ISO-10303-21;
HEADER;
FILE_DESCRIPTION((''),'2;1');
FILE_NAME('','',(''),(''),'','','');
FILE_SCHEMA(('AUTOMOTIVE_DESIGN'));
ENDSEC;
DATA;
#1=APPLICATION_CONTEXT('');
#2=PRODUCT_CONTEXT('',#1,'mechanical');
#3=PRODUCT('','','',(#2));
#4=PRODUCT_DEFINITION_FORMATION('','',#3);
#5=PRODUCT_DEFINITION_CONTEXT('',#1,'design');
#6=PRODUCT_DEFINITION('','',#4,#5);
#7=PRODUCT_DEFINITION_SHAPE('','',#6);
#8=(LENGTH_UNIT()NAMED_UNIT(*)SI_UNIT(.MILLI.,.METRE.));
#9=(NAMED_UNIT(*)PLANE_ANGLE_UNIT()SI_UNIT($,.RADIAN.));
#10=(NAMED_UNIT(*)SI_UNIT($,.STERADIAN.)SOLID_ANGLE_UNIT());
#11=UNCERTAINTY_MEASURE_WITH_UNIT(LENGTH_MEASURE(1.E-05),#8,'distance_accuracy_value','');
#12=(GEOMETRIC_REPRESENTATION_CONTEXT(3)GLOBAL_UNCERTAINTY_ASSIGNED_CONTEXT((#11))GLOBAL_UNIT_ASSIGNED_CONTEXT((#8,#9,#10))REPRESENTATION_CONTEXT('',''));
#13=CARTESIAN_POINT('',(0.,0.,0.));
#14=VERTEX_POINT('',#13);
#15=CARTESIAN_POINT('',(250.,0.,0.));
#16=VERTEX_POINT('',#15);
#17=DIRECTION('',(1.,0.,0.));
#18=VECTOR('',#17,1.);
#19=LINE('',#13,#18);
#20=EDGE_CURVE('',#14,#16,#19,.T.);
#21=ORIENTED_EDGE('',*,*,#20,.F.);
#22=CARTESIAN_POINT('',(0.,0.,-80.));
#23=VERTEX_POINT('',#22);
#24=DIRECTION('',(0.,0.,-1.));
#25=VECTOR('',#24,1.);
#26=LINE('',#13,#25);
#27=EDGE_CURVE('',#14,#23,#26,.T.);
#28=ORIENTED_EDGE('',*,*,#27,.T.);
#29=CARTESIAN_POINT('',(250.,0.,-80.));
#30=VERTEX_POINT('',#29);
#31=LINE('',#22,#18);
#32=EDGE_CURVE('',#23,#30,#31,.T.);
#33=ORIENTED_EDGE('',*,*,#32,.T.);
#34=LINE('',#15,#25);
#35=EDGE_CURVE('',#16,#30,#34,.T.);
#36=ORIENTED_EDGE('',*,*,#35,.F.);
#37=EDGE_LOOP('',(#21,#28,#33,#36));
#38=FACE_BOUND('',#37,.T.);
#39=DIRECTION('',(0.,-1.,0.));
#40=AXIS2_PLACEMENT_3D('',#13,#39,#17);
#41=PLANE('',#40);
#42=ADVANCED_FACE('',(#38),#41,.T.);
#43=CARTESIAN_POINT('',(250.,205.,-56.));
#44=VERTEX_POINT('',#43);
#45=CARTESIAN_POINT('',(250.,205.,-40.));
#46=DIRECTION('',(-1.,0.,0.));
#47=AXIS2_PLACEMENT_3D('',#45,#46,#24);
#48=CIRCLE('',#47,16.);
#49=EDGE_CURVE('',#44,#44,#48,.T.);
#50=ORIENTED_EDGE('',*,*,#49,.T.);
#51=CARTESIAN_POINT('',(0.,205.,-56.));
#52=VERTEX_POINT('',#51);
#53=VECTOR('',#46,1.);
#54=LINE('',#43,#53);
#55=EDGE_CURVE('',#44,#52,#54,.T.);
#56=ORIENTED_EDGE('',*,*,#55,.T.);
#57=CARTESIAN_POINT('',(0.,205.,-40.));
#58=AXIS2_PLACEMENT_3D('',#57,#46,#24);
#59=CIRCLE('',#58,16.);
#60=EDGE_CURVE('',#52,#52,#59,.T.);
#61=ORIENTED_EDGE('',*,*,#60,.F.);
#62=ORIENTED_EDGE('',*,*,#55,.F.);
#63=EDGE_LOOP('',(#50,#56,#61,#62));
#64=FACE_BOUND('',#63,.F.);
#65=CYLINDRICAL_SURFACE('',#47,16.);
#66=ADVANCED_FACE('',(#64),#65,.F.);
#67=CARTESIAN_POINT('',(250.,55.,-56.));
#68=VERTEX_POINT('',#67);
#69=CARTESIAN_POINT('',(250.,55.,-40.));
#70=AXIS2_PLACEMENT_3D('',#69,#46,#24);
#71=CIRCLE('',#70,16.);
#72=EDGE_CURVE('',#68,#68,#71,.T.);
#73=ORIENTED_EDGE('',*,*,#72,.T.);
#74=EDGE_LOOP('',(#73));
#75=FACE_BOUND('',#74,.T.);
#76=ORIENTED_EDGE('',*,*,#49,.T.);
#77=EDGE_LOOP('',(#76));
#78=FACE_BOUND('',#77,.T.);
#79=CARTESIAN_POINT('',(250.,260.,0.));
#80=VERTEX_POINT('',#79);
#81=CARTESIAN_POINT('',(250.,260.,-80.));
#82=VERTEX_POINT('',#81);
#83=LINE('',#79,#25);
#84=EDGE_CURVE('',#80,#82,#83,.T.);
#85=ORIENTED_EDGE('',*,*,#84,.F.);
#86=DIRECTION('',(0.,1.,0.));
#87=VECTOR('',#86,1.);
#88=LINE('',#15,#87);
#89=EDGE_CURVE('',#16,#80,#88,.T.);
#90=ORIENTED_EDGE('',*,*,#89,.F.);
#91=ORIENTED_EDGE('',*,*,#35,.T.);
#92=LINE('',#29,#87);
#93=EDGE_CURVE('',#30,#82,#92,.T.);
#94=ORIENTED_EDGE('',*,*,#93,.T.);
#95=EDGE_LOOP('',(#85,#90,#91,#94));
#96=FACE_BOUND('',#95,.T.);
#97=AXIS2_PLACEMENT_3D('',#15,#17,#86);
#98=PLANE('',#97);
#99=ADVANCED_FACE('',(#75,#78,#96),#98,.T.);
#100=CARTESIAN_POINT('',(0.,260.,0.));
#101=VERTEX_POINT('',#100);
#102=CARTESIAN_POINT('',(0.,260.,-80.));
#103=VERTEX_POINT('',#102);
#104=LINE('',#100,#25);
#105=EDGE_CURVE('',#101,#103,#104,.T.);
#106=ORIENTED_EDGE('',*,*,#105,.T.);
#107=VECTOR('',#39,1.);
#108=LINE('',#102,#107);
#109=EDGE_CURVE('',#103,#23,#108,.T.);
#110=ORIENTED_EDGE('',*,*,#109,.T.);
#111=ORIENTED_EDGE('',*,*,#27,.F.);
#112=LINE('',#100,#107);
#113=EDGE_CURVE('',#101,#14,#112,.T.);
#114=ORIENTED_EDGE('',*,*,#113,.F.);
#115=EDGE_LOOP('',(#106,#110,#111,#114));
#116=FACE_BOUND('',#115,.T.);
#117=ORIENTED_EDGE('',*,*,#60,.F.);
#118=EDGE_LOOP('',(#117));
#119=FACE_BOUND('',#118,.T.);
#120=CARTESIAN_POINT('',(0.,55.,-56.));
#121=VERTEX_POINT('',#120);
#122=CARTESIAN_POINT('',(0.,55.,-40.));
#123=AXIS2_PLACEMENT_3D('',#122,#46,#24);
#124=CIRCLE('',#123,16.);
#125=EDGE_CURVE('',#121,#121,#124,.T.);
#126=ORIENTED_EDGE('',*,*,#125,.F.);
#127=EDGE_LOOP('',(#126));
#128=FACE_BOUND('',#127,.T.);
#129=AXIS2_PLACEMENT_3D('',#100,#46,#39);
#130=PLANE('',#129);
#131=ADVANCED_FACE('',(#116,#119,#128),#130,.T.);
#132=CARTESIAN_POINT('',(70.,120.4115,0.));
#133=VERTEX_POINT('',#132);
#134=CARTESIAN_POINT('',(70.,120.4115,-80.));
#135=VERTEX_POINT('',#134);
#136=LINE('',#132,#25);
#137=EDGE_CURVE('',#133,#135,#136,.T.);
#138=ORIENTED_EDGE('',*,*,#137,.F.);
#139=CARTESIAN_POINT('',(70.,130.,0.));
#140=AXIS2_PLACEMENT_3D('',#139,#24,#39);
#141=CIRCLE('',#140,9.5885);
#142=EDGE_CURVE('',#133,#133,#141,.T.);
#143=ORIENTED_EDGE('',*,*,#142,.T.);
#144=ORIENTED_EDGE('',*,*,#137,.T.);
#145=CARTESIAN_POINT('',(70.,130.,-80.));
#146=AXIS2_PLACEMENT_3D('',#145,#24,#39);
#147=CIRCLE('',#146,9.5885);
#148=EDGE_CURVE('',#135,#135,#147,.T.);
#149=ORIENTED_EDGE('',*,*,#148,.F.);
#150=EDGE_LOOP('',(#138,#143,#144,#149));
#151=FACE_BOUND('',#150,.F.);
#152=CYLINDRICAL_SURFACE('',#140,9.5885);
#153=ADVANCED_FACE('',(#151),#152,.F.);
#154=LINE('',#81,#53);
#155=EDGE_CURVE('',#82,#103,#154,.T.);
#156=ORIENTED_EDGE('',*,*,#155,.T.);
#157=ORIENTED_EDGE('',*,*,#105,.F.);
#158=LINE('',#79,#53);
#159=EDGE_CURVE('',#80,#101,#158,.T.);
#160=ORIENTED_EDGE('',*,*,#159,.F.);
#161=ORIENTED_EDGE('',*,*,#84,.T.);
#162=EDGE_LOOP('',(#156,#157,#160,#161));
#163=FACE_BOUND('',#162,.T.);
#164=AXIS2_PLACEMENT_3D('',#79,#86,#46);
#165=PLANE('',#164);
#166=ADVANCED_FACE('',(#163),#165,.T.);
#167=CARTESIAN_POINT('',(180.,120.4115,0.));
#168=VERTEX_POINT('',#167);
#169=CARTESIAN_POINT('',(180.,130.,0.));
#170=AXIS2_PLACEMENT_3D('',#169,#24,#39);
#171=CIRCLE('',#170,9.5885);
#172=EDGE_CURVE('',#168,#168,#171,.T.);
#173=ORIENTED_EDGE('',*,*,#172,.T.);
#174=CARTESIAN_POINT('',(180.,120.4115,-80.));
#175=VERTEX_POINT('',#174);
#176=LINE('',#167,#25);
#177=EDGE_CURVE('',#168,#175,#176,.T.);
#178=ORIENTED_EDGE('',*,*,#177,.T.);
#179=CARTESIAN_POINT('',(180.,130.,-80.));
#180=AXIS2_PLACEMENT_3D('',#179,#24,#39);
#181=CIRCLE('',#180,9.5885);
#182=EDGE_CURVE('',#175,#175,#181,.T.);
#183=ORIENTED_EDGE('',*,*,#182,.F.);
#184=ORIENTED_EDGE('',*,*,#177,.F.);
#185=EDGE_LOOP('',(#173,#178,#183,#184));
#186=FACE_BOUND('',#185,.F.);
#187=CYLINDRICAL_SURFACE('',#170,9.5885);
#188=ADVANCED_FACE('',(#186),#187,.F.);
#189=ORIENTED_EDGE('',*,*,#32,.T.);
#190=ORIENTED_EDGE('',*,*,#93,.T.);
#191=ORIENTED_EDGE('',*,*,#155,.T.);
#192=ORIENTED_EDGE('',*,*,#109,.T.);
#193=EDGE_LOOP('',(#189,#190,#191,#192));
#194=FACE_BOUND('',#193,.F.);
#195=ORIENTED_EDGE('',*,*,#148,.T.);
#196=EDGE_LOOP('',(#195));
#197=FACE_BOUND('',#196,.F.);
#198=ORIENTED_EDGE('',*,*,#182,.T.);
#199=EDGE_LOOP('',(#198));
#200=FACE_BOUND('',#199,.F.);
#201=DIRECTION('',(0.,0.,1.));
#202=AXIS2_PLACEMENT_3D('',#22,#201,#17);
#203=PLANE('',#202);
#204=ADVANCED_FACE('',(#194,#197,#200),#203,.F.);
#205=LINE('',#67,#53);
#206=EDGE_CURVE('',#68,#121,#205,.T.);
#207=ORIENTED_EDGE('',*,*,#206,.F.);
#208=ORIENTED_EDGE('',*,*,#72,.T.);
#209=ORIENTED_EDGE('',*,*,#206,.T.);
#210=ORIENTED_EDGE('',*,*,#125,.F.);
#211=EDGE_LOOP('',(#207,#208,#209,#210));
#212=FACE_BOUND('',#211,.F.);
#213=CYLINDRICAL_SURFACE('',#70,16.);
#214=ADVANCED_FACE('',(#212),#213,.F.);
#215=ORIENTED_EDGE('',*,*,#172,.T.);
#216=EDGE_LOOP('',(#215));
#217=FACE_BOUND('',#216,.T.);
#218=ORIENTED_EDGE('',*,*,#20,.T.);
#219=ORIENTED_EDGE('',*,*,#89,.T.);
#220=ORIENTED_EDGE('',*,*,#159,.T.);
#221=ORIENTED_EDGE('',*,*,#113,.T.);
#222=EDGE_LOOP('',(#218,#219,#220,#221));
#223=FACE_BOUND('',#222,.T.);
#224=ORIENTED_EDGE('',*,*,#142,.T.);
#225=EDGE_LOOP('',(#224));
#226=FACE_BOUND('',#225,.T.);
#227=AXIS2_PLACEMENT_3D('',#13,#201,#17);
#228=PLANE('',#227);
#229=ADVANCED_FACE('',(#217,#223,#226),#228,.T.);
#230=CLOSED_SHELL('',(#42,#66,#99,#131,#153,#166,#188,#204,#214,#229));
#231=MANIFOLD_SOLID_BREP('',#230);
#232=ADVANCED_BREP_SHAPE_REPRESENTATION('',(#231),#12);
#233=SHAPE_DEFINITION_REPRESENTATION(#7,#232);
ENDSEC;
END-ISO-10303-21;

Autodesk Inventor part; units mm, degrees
ref_plane "YZ Plane" through (0, 0, 0) normal (1, 0, 0) x (0, 1, 0)
ref_plane "XZ Plane" through (0, 0, 0) normal (0, 1, 0) x (-1, 0, 0)
ref_plane "XY Plane" through (0, 0, 0) normal (0, 0, 1) x (1, 0, 0)
sketch "Sketch1" plane through (0, 0, 0) normal (0, 0, 1) x (1, 0, 0)
  line L0 (0, 0) -> (250, 0)
  line L1 (250, 0) -> (250, 260)
  line L2 (250, 260) -> (0, 260)
  line L3 (0, 260) -> (0, 0)
  dimension "d0" = 250
  dimension "d1" = 260
extrude "Extrusion1" add sketch "Sketch1" against normal blind 80
sketch "Sketch2" plane through (250, 0, 0) normal (1, 0, 0) x (0, 0, -1)
  line L0 (0, 0) -> (0, 260) projected
  line L1 (0, 260) -> (80, 260) projected
  point P0 (40, 205)
  point P1 (40, 55)
  dimension "d4" = 40
  dimension "d5" = 40
  dimension "d6" = 150
  dimension "d7" = 55
hole "Hole1" at (250, 205, -40) at (250, 55, -40) direction (-1, 0, 0) diameter 32 end through all
sketch "Sketch3" plane through (0, 0, 0) normal (0, 0, 1) x (1, 0, 0)
  line L0 (0, 0) -> (250, 0) projected
  line L1 (250, 260) -> (0, 260) projected
  line L2 (0, 260) -> (0, 0) projected
  line L3 (250, 0) -> (250, 260) projected
  point P0 (70, 130)
  point P1 (180, 130)
  dimension "d16" = 130
  dimension "d17" = 130
  dimension "d18" = 70
  dimension "d19" = 70
hole "Hole2" at (70, 130, 0) at (180, 130, 0) direction (0, 0, -1) diameter 19.177 end through all thread size "7/8-9 UNC" class "2B" standard "ANSI Unified Screw Threads"
equation "\"d5\" = d4"
equation "\"d17\" = d16"
equation "\"d19\" = d18"
properties part number "Soporte barras"
